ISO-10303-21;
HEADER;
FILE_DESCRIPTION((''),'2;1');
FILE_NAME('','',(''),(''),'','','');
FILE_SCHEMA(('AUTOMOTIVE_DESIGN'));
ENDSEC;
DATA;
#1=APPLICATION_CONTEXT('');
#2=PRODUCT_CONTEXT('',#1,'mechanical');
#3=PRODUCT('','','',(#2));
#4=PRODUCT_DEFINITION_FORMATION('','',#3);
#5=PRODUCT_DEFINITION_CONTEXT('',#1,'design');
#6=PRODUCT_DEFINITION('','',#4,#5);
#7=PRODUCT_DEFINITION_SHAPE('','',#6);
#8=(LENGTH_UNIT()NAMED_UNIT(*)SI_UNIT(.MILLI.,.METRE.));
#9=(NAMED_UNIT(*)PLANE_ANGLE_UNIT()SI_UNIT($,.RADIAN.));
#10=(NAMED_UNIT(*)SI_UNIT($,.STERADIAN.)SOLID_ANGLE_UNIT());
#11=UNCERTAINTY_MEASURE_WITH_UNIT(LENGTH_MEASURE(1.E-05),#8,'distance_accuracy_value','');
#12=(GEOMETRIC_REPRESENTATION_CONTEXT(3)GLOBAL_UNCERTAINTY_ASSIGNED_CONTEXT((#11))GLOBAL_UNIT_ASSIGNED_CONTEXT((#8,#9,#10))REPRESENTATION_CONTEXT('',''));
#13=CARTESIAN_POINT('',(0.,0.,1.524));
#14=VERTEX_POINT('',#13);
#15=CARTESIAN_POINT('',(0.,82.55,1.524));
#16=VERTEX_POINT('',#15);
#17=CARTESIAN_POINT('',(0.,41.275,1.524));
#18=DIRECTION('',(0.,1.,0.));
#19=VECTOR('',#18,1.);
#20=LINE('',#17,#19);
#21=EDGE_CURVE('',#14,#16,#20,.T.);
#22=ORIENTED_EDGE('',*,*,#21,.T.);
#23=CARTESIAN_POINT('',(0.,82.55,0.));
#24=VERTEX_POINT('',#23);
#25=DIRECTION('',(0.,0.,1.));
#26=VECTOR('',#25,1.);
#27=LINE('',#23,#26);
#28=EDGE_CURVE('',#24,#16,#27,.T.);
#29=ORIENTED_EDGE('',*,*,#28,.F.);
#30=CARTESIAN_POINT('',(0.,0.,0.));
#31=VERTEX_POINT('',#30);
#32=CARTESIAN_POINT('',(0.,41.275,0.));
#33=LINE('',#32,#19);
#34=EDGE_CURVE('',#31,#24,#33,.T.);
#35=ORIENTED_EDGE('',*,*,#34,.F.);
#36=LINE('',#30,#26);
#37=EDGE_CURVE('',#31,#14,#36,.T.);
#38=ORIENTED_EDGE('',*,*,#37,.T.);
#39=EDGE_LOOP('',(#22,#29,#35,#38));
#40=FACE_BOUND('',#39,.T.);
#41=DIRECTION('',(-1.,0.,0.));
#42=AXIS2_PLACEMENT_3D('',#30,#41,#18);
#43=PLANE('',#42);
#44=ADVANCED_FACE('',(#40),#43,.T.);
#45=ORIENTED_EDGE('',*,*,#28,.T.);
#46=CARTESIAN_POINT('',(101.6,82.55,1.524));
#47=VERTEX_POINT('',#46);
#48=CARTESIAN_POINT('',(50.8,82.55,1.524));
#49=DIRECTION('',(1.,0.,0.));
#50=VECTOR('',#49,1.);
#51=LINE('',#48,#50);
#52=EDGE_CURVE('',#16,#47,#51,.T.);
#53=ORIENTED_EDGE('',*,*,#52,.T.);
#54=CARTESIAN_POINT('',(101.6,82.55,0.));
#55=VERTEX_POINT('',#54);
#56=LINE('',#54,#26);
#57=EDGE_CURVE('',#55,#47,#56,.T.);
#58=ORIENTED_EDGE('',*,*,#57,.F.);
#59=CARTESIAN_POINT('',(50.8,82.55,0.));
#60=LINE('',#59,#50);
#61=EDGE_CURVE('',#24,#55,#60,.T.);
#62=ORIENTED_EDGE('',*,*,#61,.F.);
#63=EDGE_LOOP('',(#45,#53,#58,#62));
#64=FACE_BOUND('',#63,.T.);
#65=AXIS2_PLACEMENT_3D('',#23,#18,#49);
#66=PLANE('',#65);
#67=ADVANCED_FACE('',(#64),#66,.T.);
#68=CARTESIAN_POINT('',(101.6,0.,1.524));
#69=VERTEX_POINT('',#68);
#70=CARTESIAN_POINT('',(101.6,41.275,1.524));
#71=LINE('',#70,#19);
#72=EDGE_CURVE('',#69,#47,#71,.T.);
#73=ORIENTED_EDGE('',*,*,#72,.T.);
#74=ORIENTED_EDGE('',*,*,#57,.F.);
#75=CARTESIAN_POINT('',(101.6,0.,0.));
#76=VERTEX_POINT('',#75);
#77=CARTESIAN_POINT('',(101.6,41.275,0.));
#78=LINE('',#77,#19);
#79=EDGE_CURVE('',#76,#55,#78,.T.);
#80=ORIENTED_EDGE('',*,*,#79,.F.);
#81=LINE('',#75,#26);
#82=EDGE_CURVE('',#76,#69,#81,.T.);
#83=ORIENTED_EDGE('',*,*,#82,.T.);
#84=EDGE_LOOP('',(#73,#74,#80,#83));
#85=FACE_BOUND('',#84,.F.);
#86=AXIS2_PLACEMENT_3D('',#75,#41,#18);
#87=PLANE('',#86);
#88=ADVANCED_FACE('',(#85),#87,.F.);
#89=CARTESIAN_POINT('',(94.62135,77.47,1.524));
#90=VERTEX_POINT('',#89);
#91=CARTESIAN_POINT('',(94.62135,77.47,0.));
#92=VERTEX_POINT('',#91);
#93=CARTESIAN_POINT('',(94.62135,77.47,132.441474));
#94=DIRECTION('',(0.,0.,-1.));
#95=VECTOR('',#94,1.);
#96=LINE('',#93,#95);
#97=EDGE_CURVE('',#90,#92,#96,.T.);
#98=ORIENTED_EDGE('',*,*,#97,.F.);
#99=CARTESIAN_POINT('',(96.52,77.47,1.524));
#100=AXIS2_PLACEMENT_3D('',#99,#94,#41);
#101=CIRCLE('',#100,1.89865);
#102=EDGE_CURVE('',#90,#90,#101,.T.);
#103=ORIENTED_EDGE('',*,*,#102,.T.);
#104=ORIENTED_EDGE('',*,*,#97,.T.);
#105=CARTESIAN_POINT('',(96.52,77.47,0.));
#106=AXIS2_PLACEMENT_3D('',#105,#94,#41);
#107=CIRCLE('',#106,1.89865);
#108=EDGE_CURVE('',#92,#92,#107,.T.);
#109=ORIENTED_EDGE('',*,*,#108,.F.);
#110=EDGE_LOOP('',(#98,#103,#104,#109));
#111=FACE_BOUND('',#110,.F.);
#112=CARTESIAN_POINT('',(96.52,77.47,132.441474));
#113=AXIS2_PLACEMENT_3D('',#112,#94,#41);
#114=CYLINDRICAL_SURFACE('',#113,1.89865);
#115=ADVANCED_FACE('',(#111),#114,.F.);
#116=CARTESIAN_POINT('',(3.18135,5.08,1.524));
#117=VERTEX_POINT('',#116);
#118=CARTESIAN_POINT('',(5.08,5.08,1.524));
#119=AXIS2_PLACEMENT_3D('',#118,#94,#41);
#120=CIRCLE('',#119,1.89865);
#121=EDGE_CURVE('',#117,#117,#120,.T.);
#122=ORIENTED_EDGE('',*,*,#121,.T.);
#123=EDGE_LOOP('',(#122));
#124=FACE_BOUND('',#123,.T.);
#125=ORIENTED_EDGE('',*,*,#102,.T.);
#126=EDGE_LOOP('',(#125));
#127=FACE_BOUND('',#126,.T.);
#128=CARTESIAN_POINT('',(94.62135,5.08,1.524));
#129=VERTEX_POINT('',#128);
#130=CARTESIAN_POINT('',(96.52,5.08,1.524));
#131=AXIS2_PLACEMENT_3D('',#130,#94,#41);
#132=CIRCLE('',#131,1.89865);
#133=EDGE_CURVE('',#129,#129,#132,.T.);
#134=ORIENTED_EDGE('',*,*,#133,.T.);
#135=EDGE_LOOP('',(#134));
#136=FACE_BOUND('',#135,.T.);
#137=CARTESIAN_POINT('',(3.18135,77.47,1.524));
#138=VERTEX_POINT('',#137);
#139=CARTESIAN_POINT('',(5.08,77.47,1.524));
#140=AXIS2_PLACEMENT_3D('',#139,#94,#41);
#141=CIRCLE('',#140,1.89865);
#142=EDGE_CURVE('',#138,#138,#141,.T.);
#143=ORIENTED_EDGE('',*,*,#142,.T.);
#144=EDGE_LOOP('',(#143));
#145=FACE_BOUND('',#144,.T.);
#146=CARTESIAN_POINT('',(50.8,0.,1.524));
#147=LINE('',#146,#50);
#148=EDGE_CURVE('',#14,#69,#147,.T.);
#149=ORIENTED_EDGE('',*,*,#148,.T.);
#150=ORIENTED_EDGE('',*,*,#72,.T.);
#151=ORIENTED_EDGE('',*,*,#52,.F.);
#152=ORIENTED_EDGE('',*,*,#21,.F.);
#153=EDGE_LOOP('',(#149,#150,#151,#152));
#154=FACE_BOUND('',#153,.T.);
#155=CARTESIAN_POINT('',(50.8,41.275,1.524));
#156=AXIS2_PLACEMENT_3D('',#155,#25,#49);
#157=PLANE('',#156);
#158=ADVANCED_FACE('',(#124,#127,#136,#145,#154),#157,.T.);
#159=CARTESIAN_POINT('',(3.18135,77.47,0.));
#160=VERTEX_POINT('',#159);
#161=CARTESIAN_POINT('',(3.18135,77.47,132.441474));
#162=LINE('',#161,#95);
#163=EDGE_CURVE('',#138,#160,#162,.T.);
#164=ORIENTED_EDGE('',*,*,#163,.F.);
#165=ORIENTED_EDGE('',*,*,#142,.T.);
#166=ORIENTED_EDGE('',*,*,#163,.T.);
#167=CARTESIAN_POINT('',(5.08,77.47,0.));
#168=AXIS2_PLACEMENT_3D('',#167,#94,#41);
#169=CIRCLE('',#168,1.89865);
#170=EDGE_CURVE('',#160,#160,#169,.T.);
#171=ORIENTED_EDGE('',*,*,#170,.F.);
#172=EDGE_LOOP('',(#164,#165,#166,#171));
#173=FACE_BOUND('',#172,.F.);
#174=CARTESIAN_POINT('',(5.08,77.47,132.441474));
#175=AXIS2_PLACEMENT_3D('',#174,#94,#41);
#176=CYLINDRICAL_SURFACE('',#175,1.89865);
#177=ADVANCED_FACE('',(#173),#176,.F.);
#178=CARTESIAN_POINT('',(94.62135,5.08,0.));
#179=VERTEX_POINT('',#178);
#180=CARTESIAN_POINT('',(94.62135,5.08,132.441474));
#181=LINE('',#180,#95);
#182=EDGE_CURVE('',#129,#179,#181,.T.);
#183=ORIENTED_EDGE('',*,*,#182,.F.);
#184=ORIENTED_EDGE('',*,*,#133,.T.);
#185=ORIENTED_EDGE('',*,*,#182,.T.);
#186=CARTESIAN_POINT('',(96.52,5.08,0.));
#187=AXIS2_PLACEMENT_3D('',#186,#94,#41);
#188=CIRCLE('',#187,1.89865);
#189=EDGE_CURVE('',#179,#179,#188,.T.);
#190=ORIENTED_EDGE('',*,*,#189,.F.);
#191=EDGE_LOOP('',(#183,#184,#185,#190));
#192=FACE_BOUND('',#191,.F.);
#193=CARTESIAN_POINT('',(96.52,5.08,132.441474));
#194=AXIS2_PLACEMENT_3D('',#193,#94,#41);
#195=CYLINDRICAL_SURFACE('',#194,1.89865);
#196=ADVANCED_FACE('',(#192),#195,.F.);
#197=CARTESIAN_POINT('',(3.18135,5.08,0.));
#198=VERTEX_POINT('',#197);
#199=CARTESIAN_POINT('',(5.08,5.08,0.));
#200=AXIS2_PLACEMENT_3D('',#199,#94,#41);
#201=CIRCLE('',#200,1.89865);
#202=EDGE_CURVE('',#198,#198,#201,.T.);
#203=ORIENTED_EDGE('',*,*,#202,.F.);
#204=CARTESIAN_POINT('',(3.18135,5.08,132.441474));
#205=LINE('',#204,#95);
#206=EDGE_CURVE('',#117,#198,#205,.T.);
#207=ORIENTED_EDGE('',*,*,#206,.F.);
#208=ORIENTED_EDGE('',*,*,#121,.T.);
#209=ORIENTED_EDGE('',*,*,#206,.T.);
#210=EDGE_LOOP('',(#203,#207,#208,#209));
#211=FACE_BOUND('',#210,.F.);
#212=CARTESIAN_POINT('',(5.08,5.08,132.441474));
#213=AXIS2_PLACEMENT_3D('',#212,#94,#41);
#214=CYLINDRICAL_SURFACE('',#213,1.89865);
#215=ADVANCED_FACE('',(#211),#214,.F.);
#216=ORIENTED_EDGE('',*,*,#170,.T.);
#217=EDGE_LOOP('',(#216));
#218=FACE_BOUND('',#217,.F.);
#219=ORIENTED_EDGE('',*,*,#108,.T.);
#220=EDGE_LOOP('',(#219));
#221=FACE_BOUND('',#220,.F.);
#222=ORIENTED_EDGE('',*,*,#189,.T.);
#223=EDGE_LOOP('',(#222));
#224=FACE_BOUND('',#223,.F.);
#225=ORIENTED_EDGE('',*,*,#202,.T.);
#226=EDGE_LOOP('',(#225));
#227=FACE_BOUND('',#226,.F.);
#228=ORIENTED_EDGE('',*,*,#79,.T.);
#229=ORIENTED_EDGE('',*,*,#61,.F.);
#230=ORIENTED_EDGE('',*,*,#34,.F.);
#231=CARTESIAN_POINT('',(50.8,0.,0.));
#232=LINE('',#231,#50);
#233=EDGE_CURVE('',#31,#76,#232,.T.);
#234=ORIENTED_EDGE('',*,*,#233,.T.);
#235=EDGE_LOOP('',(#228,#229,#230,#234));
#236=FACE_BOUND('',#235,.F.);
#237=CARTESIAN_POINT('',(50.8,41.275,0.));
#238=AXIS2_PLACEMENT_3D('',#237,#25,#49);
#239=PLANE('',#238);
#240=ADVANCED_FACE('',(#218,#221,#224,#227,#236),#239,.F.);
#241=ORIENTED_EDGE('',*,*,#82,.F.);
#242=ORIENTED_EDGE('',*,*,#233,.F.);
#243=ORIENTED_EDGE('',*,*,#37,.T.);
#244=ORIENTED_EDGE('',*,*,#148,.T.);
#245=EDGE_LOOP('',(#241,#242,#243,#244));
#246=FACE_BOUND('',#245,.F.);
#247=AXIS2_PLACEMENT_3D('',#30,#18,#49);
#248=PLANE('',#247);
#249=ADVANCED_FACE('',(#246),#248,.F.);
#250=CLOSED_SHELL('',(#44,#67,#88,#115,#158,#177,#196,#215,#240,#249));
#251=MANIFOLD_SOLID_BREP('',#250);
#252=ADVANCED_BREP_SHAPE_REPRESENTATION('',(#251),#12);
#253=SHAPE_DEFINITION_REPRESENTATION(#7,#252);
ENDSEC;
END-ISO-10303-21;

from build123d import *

# Parameters (mm, degrees)
F0_W     = 101.6
F0_H     = 82.55
F1_DEPTH = 1.524
F3_D     = 3.7973


with BuildPart() as f1:
    # F0 (on Top) → F1 (new body)
    with BuildSketch(Plane.XY):
        with Locations((50.8, 41.275)):
            Rectangle(F0_W, F0_H)
    extrude(amount=F1_DEPTH)

    # F3 (through all)
    with Locations(Plane.XY.offset(1.524)):
        with Locations((5.08, 77.47), (96.52, 77.47), (5.08, 5.08), (96.52, 5.08)):
            Hole(F3_D / 2)


solid = f1.part
